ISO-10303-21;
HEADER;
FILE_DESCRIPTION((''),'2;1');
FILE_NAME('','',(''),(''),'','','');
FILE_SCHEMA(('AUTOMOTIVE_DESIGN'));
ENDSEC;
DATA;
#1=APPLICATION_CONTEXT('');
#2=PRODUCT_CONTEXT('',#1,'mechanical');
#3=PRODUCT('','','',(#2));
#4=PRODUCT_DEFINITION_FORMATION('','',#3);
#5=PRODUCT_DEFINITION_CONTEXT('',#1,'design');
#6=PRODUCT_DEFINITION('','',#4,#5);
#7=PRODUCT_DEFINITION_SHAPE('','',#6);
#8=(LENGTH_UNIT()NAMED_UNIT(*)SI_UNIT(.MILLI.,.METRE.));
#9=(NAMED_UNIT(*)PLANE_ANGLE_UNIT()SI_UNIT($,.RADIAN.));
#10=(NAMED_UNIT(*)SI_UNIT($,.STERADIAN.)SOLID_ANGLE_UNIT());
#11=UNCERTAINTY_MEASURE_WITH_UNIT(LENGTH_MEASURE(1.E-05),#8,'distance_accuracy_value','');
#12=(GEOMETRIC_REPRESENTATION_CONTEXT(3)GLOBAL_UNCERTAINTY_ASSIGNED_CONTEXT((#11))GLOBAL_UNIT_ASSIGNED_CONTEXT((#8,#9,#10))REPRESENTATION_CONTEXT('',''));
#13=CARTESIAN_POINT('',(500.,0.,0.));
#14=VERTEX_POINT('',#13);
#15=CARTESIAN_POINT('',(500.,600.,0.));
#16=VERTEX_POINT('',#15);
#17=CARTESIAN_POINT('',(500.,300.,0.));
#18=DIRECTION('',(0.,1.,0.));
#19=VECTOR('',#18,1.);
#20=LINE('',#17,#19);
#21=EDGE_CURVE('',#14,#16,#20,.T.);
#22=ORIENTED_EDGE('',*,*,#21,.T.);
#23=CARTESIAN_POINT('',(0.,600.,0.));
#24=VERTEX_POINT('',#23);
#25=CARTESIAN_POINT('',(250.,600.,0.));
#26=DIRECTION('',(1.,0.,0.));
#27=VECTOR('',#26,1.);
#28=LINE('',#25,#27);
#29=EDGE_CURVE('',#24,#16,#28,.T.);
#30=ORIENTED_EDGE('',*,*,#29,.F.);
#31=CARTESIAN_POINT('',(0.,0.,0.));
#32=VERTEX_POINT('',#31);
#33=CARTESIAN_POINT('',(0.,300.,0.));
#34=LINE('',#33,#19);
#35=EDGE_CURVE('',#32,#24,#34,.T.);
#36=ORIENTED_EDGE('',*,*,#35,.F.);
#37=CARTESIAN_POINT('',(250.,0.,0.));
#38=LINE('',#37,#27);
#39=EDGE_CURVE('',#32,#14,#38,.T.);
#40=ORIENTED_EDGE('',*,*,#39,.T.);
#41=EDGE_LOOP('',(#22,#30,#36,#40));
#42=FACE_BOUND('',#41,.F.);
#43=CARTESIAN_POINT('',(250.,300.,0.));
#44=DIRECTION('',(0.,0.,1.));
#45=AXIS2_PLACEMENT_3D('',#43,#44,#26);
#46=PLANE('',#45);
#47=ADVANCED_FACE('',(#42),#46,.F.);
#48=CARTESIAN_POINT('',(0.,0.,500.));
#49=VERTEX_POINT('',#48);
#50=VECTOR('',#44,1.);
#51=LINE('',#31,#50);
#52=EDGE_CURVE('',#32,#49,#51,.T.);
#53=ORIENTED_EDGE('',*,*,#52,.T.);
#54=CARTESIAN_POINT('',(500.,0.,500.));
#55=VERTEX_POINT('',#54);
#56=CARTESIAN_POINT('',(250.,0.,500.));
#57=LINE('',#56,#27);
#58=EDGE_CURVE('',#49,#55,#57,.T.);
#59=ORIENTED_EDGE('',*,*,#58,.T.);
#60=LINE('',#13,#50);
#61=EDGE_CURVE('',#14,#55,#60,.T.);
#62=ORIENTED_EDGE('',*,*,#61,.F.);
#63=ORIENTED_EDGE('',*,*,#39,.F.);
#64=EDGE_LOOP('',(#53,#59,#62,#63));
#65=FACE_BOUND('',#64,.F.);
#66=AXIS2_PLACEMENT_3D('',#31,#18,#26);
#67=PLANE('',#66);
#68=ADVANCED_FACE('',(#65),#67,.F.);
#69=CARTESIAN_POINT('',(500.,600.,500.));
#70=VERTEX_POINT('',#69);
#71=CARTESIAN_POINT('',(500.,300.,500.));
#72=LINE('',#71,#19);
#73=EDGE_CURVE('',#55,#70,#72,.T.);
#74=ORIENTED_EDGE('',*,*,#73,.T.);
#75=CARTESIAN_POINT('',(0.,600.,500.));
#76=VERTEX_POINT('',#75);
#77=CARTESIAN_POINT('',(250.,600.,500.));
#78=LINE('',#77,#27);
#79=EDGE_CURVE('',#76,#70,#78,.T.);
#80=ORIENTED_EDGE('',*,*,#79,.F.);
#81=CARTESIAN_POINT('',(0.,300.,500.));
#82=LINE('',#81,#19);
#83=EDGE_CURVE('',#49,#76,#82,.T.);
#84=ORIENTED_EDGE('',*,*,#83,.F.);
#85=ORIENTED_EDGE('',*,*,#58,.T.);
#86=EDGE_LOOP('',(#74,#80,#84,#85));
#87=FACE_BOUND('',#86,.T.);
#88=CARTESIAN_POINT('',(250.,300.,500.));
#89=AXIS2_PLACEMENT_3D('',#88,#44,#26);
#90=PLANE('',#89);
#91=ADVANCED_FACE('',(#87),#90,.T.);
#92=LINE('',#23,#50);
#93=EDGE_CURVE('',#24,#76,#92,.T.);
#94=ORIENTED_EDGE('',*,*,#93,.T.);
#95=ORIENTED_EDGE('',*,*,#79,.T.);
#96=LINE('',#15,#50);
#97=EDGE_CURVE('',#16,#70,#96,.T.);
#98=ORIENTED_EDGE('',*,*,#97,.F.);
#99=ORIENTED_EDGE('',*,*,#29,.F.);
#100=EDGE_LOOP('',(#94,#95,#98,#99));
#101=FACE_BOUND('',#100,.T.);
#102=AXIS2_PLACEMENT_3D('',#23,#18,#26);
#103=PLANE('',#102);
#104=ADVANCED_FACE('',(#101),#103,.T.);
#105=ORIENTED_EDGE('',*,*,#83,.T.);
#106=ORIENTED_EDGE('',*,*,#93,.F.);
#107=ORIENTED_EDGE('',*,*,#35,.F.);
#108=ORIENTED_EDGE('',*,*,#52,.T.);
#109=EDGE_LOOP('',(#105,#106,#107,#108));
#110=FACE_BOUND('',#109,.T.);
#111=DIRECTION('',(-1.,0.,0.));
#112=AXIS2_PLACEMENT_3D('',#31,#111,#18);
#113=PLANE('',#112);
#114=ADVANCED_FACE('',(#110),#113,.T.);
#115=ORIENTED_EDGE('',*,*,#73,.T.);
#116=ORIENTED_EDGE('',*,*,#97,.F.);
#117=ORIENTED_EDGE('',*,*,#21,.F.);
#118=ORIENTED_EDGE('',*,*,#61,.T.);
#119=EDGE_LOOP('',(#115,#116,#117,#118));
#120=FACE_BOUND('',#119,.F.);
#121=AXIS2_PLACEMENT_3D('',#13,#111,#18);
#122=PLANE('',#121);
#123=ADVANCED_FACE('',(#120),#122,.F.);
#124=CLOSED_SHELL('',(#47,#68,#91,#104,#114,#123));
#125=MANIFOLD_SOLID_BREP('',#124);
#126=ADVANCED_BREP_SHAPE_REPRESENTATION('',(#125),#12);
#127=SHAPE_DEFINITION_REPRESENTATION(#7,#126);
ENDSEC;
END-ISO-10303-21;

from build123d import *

# Parameters (mm, degrees)
SKETCH_W  = 500
SKETCH_H  = 600
PAD_DEPTH = 500


with BuildPart() as part:
    # Sketch → Pad (new body)
    with BuildSketch(Plane.XY):
        with Locations((250, 300)):
            Rectangle(SKETCH_W, SKETCH_H)
    extrude(amount=PAD_DEPTH)


solid = part.part
